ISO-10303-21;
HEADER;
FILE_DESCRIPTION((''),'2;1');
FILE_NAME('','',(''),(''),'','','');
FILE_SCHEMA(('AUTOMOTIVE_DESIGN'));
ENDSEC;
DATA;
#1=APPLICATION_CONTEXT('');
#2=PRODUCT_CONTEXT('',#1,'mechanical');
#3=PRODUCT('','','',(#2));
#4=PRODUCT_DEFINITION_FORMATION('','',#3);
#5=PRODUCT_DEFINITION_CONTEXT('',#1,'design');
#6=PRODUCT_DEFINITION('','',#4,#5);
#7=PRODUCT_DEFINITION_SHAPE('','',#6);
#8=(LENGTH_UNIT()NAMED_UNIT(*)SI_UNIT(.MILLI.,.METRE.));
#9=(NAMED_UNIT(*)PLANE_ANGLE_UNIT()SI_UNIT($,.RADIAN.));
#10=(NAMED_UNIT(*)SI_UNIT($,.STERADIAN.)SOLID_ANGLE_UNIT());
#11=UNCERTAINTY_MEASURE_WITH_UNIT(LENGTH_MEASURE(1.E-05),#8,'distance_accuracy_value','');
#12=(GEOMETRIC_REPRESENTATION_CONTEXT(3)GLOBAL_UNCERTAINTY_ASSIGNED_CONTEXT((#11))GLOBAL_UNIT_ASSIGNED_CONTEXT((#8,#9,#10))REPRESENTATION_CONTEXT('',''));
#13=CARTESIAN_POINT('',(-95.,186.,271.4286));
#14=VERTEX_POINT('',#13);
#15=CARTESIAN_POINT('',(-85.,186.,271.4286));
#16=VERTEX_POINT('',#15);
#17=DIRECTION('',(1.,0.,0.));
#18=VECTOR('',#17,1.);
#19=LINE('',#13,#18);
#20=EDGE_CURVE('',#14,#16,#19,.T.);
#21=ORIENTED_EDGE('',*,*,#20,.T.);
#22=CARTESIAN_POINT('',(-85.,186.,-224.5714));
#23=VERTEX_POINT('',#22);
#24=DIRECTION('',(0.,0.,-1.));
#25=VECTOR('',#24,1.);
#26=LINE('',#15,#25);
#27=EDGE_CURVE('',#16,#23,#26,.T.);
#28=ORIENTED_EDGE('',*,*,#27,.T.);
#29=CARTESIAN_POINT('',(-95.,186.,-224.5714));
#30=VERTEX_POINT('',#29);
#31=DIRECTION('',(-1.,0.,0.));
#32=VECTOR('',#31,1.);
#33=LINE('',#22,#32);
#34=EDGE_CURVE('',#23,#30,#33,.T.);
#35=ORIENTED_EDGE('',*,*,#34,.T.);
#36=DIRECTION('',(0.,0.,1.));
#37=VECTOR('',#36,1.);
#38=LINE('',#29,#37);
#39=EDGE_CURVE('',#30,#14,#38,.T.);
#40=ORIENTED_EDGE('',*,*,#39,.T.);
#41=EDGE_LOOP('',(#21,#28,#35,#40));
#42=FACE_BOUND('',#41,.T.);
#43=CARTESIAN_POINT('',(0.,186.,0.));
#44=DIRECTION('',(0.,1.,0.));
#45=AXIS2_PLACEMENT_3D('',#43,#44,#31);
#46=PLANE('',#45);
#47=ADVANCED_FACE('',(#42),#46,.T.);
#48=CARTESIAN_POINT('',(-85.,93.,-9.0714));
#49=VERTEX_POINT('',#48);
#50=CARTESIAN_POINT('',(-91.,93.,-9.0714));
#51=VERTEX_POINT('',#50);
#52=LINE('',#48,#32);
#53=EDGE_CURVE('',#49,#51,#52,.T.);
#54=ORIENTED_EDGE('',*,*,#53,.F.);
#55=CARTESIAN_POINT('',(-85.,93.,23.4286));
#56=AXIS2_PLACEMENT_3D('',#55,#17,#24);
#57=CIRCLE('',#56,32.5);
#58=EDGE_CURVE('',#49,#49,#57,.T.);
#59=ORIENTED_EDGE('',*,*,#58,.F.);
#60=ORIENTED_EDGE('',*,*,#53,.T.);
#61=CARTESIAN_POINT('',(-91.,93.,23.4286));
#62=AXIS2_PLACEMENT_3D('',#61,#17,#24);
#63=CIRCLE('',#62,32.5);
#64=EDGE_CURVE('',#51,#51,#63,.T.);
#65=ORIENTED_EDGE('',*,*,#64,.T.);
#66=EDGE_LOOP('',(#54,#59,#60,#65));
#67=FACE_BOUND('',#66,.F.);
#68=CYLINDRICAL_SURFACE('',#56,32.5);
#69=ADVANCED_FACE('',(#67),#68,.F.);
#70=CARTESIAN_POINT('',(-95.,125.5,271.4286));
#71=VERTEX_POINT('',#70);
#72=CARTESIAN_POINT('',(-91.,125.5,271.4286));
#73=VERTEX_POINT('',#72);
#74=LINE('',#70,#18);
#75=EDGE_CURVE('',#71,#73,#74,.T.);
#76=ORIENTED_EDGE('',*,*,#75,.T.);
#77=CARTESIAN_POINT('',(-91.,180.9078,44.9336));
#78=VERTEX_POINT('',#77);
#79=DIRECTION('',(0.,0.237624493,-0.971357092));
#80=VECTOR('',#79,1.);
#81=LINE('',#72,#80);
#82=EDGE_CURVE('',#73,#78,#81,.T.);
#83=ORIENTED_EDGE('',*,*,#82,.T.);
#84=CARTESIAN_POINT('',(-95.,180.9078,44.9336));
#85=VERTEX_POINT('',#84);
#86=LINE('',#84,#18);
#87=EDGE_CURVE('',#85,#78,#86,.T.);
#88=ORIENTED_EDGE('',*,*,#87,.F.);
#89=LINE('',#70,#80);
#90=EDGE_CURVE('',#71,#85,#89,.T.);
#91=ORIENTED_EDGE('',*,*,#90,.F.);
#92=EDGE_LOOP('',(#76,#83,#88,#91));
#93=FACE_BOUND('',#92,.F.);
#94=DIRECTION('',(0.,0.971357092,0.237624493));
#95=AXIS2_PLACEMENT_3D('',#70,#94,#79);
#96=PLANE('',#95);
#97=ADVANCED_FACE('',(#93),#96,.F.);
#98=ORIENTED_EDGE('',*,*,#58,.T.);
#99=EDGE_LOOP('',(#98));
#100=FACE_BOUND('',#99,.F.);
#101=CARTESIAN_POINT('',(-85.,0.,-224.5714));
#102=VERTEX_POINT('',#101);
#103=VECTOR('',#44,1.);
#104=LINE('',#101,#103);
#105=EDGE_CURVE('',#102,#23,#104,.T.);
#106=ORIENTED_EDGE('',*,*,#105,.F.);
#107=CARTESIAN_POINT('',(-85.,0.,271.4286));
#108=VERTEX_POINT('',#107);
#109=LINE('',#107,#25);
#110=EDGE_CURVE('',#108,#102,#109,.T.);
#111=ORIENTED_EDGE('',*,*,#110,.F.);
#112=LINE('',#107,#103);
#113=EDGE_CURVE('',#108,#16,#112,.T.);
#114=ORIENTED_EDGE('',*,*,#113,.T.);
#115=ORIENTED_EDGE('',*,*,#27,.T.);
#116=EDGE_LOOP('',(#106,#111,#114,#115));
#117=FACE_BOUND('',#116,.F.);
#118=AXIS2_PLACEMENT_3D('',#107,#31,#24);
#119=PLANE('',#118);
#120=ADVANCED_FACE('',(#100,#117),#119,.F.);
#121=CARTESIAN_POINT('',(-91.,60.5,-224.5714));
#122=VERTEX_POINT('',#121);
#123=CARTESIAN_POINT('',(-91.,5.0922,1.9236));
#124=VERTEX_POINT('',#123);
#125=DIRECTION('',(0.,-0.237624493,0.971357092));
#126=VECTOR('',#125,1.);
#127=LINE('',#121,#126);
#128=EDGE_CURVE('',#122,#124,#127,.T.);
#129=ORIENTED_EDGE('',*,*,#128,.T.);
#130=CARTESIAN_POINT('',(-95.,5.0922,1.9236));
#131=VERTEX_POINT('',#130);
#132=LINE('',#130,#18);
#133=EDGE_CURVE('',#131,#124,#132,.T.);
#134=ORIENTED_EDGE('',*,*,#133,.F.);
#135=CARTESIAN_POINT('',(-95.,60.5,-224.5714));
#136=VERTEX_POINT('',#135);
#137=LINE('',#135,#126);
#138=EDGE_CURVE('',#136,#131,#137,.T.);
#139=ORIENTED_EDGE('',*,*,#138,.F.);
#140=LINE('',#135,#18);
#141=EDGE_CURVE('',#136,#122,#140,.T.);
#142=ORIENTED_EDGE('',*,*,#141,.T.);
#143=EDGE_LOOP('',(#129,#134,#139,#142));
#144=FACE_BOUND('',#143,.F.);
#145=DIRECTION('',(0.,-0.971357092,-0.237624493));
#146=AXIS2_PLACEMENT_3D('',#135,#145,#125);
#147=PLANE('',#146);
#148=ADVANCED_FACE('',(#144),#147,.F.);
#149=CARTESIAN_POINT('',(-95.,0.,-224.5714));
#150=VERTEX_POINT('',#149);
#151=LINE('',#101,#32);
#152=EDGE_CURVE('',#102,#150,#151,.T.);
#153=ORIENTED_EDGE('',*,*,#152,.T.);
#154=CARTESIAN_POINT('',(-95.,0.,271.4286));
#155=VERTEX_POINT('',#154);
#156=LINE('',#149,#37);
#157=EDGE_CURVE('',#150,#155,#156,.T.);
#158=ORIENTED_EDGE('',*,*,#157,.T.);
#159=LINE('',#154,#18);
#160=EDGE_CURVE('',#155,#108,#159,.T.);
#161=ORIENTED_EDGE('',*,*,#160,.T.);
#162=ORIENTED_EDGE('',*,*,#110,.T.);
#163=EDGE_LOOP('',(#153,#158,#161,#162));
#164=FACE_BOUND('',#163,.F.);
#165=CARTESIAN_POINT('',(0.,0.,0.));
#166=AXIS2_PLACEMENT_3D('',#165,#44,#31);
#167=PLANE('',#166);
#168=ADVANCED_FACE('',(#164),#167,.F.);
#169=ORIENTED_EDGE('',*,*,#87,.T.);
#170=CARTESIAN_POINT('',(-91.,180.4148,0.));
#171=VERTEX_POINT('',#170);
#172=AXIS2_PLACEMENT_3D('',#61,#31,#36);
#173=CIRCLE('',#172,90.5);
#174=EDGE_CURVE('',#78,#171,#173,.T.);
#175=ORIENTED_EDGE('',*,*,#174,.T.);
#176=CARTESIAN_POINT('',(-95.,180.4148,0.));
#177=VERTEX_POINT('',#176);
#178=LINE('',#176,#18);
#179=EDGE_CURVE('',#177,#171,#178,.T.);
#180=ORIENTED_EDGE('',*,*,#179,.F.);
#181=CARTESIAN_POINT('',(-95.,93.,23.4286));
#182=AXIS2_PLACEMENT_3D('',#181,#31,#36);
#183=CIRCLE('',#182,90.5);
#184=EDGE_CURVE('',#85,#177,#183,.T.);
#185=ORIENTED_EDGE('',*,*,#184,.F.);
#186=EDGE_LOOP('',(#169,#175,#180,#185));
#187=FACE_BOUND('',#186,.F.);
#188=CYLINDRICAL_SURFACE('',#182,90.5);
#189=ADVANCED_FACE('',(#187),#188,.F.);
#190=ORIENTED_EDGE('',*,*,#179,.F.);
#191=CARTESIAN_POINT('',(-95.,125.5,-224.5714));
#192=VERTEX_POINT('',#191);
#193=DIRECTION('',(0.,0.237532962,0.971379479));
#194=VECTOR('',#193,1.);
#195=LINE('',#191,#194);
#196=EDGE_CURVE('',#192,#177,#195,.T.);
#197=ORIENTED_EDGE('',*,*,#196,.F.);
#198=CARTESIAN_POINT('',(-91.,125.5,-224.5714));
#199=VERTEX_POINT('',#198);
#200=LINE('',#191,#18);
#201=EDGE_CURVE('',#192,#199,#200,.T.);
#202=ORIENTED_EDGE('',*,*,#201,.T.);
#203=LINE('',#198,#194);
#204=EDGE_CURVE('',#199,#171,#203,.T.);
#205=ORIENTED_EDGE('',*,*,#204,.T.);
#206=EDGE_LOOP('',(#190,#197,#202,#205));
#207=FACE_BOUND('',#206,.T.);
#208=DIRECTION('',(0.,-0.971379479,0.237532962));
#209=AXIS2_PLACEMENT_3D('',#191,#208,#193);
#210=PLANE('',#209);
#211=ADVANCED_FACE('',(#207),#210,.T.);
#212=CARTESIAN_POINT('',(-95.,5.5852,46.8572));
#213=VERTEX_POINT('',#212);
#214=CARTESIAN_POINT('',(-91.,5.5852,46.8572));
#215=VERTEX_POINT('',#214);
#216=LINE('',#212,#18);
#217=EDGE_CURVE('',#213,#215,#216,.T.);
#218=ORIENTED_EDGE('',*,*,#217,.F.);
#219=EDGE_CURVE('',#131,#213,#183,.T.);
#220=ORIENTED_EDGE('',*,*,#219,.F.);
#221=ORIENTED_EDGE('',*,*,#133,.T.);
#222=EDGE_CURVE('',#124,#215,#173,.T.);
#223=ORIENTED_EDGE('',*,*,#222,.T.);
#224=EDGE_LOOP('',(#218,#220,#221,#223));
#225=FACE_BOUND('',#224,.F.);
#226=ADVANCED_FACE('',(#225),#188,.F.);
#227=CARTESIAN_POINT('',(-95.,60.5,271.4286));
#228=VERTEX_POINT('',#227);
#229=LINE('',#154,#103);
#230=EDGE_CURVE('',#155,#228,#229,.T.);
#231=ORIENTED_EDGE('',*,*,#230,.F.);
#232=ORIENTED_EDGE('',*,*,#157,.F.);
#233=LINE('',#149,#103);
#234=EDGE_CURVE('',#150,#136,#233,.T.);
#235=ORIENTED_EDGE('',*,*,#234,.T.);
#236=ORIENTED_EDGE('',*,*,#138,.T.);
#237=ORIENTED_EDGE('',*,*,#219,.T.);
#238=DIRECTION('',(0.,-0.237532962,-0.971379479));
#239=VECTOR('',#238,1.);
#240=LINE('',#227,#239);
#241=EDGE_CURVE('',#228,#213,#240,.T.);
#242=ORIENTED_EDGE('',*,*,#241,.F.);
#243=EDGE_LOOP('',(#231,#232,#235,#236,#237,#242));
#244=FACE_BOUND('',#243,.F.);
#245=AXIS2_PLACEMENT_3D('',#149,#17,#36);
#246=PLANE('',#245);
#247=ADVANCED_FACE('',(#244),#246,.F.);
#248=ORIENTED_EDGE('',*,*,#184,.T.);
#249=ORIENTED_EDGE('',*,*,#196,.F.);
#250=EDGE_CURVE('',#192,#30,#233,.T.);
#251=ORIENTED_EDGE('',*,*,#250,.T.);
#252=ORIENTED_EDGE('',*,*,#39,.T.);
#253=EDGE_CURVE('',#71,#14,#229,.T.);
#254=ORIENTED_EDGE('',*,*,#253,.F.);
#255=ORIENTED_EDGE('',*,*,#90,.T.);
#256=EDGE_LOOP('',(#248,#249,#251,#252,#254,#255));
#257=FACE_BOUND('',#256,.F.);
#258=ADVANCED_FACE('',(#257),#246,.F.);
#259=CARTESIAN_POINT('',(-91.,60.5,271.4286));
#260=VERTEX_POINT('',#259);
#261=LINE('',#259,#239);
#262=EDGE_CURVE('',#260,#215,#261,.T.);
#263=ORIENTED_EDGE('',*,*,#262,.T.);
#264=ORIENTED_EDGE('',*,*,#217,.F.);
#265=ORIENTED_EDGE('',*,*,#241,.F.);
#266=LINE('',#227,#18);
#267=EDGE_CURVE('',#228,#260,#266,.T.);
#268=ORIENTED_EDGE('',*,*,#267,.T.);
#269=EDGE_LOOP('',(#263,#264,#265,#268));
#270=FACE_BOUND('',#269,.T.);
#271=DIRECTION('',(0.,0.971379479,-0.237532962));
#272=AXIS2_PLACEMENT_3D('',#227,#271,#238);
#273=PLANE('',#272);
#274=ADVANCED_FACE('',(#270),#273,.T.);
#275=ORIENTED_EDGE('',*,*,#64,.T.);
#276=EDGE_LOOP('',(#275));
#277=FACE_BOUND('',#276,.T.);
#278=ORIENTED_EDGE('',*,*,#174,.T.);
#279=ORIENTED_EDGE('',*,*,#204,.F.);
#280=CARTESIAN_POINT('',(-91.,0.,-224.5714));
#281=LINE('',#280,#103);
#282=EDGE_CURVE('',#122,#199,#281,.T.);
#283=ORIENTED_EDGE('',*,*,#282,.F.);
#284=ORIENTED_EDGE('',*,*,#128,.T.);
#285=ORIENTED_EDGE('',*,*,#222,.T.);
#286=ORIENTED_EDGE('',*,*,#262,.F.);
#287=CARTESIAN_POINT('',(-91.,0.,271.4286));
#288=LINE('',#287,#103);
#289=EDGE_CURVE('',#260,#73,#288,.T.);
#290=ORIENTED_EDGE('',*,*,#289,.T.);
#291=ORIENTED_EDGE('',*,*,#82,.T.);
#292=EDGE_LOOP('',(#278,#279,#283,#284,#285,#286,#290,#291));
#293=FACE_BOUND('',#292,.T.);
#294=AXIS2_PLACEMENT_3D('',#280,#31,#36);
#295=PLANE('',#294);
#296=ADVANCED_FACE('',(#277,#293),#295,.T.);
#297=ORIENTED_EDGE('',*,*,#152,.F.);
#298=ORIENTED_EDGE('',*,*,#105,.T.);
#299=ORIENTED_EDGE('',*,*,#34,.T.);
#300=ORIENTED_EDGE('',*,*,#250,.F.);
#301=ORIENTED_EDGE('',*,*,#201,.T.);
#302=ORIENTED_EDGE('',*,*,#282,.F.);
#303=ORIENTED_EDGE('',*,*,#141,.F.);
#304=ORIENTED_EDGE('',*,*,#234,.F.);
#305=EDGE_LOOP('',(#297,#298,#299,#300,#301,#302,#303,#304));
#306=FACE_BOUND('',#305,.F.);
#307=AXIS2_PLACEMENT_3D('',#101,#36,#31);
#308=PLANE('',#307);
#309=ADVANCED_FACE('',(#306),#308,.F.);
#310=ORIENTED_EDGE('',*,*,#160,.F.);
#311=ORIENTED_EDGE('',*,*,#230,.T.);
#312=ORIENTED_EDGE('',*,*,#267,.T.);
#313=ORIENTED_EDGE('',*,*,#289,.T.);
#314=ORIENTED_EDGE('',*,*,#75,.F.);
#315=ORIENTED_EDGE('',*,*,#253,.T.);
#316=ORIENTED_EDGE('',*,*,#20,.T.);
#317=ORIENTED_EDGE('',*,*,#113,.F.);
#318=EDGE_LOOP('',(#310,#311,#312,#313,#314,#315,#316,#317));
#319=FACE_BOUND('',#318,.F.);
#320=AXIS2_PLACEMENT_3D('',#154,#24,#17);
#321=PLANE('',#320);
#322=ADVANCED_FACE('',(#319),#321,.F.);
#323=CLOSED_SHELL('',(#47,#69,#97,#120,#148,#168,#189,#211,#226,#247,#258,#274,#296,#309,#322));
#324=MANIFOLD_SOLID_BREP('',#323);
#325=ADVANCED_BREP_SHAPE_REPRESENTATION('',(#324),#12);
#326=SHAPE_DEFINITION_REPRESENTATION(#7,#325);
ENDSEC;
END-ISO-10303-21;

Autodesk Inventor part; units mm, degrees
ref_plane "YZ Plane" through (0, 0, 0) normal (1, 0, 0) x (0, 1, 0)
ref_plane "XZ Plane" through (0, 0, 0) normal (0, 1, 0) x (-1, 0, 0)
ref_plane "XY Plane" through (0, 0, 0) normal (0, 0, 1) x (1, 0, 0)
sketch "Sketch1" plane through (0, 0, 0) normal (0, 1, 0) x (-1, 0, 0)
  line L0 (95, 271.4286) -> (85, 271.4286)
  line L1 (85, 271.4286) -> (85, -224.5714)
  line L2 (85, -224.5714) -> (95, -224.5714)
  line L3 (95, -224.5714) -> (95, 271.4286)
  point P0 (0, 0)
  dimension "d0" = 10
  dimension "d1" = 496
extrude "Extrusion1" add sketch "Sketch1" along normal blind 186
sketch "Sketch3" plane through (-85, 0, 271.4286) normal (1, 0, 0) x (0, 0, -1)
  line L0 (0, 0) -> (496, 0) projected
  line L1 (496, 0) -> (496, 186) projected
  line L2 (0, 186) -> (496, 186) projected
  line L3 (0, 0) -> (0, 186) projected
  circle A0 centre (0, 93) radius 5
  line L4 (0, 0) -> (496, 0) projected
  circle A1 centre (248, 0) radius 5
  line L5 (0, 0) -> (248, 0)
  line L6 (0, 93) -> (0, 0)
  circle A2 centre (248, 93) radius 32.5
  point P0 (271.4286, 0)
  dimension "d16" = 65
  dimension "d19" = 93
  dimension "d20" = 248
  dimension "d21" = 248
  dimension "d22" = 93
extrude "Extrusion5" cut sketch "Sketch3" against normal blind 186 contours A2
sketch "Sketch5" plane through (-95, 0, -224.5714) normal (-1, 0, 0) x (0, 0, 1)
  circle A0 centre (248, 93) radius 32.5 projected
  circle A1 centre (248, 93) radius 90.5
  line L0 (0, 0) -> (0, 186) projected
  circle A2 centre (0, 93) radius 32.5
  line L1 (496, 0) -> (496, 186) projected
  circle A3 centre (496, 93) radius 32.5
  line L2 (0, 60.5) -> (226.495, 5.0922)
  line L3 (0, 125.5) -> (224.5714, 180.4148)
  line L4 (496, 125.5) -> (269.505, 180.9078)
  line L5 (496, 60.5) -> (271.4286, 5.5852)
  point P0 (224.5714, 0)
  dimension "d23" = 181
extrude "Extrusion6" cut sketch "Sketch5" against normal blind 4 contours A1 | A1 L4 A3 L5 | A1 L2 A2 L3 | L1 A3 | A2 L0 picked at (485.2457, 91.6942) picked at (6.7545, 84.5302)
properties part number "Osnova" material "Aluminum 6061"
